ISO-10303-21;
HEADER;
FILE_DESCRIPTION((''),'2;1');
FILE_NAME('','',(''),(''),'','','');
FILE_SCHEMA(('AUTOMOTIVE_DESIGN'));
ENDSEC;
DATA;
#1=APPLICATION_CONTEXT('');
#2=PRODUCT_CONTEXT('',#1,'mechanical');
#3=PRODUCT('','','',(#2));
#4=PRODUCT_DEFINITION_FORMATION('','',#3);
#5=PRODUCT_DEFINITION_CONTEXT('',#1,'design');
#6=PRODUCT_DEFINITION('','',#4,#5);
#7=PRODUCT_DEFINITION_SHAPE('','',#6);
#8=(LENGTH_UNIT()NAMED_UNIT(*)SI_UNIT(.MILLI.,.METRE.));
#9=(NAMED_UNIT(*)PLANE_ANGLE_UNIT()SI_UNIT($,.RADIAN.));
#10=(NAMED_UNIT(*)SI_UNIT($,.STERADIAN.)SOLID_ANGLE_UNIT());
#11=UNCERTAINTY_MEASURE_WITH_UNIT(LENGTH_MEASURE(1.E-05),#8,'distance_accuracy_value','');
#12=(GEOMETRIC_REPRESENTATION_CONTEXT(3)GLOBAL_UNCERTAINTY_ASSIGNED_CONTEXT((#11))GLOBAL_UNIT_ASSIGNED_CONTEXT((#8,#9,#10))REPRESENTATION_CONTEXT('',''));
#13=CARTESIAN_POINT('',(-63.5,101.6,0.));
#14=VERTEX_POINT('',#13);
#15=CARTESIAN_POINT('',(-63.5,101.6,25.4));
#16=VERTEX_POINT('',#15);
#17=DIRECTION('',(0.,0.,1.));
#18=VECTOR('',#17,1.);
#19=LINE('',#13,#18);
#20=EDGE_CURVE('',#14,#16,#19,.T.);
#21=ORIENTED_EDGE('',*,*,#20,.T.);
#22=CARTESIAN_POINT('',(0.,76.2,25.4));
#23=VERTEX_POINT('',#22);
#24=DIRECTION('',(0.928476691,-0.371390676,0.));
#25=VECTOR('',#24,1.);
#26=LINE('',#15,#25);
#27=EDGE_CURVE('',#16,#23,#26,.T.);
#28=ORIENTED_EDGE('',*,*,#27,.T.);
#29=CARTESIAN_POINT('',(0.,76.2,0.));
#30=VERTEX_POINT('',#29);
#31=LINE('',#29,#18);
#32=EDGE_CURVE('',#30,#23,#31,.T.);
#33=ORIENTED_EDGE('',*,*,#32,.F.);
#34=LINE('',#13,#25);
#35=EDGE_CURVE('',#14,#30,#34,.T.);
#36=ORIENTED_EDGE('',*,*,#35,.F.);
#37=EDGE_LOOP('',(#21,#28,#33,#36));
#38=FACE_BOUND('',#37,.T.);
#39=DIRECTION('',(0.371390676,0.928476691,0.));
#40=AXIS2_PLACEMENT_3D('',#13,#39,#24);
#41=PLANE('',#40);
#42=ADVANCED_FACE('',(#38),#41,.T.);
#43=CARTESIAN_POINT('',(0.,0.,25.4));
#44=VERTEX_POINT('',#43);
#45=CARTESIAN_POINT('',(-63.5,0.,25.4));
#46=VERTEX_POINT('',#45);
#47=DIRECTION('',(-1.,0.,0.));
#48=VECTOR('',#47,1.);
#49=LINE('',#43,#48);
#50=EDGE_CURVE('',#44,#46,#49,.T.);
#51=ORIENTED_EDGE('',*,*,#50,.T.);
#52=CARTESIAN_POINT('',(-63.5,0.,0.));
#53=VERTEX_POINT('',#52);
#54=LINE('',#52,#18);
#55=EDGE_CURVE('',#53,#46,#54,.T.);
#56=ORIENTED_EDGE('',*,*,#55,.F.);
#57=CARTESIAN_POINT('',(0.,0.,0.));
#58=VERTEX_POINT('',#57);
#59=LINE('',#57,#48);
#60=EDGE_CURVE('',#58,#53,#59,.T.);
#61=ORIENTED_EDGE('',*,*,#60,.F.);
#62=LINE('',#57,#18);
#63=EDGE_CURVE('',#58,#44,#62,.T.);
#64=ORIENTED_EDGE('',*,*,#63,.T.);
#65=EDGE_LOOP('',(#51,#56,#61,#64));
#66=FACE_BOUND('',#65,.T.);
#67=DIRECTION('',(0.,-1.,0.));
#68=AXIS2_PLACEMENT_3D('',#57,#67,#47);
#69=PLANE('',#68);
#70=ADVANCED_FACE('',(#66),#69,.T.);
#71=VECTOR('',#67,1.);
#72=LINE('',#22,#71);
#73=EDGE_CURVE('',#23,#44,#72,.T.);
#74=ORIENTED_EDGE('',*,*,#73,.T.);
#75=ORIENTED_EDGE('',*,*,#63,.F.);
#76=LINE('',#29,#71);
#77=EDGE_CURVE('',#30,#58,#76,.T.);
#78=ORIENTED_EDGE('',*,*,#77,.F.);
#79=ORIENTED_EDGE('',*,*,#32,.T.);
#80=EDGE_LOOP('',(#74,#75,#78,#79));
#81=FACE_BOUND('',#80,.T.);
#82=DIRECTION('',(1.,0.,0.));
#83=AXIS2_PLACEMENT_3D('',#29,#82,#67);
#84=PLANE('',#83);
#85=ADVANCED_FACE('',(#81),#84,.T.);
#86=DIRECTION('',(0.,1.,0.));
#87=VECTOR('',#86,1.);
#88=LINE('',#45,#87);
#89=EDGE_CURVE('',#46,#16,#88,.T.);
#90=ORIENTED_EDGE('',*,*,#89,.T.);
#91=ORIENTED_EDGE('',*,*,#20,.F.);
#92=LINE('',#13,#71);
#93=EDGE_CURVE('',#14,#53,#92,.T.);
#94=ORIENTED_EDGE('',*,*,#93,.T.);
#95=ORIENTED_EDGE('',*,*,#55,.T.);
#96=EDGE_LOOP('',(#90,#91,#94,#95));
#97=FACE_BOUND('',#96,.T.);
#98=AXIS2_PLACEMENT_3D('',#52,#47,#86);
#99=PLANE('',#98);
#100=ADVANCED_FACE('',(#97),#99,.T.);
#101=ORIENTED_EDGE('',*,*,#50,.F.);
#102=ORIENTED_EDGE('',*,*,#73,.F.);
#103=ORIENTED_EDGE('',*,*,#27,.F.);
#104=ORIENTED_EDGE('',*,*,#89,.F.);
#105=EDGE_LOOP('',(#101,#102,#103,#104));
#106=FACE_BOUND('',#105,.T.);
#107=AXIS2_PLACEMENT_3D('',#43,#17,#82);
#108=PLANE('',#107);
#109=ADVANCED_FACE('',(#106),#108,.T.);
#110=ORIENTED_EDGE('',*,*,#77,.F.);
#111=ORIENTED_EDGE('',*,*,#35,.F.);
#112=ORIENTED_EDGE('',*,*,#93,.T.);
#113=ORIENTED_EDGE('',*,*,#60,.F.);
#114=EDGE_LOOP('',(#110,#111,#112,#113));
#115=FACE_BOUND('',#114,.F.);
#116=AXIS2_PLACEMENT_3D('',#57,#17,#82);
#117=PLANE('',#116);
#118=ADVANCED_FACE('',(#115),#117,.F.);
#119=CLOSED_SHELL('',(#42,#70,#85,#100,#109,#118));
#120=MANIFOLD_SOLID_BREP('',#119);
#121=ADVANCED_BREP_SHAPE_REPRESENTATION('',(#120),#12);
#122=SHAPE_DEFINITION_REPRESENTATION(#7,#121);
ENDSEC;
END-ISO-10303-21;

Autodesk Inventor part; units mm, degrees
ref_plane "YZ Plane" through (0, 0, 0) normal (1, 0, 0) x (0, 1, 0)
ref_plane "XZ Plane" through (0, 0, 0) normal (0, 1, 0) x (-1, 0, 0)
ref_plane "XY Plane" through (0, 0, 0) normal (0, 0, 1) x (1, 0, 0)
sketch "Sketch1" plane through (0, 0, 0) normal (0, 0, 1) x (1, 0, 0)
  line L0 (0, 0) -> (-63.5, 0)
  line L1 (-63.5, 0) -> (-63.5, 76.2)
  line L2 (-63.5, 76.2) -> (0, 76.2)
  line L3 (0, 76.2) -> (0, 0)
  line L4 (-63.5, 76.2) -> (-63.5, 101.6)
  line L5 (-63.5, 101.6) -> (0, 76.2)
  dimension "d0" = 76.2
  dimension "d1" = 63.5
  dimension "d2" = 101.6
extrude "Extrusion1" add sketch "Sketch1" along normal blind 25.4
properties part number "Wedge Dim"
